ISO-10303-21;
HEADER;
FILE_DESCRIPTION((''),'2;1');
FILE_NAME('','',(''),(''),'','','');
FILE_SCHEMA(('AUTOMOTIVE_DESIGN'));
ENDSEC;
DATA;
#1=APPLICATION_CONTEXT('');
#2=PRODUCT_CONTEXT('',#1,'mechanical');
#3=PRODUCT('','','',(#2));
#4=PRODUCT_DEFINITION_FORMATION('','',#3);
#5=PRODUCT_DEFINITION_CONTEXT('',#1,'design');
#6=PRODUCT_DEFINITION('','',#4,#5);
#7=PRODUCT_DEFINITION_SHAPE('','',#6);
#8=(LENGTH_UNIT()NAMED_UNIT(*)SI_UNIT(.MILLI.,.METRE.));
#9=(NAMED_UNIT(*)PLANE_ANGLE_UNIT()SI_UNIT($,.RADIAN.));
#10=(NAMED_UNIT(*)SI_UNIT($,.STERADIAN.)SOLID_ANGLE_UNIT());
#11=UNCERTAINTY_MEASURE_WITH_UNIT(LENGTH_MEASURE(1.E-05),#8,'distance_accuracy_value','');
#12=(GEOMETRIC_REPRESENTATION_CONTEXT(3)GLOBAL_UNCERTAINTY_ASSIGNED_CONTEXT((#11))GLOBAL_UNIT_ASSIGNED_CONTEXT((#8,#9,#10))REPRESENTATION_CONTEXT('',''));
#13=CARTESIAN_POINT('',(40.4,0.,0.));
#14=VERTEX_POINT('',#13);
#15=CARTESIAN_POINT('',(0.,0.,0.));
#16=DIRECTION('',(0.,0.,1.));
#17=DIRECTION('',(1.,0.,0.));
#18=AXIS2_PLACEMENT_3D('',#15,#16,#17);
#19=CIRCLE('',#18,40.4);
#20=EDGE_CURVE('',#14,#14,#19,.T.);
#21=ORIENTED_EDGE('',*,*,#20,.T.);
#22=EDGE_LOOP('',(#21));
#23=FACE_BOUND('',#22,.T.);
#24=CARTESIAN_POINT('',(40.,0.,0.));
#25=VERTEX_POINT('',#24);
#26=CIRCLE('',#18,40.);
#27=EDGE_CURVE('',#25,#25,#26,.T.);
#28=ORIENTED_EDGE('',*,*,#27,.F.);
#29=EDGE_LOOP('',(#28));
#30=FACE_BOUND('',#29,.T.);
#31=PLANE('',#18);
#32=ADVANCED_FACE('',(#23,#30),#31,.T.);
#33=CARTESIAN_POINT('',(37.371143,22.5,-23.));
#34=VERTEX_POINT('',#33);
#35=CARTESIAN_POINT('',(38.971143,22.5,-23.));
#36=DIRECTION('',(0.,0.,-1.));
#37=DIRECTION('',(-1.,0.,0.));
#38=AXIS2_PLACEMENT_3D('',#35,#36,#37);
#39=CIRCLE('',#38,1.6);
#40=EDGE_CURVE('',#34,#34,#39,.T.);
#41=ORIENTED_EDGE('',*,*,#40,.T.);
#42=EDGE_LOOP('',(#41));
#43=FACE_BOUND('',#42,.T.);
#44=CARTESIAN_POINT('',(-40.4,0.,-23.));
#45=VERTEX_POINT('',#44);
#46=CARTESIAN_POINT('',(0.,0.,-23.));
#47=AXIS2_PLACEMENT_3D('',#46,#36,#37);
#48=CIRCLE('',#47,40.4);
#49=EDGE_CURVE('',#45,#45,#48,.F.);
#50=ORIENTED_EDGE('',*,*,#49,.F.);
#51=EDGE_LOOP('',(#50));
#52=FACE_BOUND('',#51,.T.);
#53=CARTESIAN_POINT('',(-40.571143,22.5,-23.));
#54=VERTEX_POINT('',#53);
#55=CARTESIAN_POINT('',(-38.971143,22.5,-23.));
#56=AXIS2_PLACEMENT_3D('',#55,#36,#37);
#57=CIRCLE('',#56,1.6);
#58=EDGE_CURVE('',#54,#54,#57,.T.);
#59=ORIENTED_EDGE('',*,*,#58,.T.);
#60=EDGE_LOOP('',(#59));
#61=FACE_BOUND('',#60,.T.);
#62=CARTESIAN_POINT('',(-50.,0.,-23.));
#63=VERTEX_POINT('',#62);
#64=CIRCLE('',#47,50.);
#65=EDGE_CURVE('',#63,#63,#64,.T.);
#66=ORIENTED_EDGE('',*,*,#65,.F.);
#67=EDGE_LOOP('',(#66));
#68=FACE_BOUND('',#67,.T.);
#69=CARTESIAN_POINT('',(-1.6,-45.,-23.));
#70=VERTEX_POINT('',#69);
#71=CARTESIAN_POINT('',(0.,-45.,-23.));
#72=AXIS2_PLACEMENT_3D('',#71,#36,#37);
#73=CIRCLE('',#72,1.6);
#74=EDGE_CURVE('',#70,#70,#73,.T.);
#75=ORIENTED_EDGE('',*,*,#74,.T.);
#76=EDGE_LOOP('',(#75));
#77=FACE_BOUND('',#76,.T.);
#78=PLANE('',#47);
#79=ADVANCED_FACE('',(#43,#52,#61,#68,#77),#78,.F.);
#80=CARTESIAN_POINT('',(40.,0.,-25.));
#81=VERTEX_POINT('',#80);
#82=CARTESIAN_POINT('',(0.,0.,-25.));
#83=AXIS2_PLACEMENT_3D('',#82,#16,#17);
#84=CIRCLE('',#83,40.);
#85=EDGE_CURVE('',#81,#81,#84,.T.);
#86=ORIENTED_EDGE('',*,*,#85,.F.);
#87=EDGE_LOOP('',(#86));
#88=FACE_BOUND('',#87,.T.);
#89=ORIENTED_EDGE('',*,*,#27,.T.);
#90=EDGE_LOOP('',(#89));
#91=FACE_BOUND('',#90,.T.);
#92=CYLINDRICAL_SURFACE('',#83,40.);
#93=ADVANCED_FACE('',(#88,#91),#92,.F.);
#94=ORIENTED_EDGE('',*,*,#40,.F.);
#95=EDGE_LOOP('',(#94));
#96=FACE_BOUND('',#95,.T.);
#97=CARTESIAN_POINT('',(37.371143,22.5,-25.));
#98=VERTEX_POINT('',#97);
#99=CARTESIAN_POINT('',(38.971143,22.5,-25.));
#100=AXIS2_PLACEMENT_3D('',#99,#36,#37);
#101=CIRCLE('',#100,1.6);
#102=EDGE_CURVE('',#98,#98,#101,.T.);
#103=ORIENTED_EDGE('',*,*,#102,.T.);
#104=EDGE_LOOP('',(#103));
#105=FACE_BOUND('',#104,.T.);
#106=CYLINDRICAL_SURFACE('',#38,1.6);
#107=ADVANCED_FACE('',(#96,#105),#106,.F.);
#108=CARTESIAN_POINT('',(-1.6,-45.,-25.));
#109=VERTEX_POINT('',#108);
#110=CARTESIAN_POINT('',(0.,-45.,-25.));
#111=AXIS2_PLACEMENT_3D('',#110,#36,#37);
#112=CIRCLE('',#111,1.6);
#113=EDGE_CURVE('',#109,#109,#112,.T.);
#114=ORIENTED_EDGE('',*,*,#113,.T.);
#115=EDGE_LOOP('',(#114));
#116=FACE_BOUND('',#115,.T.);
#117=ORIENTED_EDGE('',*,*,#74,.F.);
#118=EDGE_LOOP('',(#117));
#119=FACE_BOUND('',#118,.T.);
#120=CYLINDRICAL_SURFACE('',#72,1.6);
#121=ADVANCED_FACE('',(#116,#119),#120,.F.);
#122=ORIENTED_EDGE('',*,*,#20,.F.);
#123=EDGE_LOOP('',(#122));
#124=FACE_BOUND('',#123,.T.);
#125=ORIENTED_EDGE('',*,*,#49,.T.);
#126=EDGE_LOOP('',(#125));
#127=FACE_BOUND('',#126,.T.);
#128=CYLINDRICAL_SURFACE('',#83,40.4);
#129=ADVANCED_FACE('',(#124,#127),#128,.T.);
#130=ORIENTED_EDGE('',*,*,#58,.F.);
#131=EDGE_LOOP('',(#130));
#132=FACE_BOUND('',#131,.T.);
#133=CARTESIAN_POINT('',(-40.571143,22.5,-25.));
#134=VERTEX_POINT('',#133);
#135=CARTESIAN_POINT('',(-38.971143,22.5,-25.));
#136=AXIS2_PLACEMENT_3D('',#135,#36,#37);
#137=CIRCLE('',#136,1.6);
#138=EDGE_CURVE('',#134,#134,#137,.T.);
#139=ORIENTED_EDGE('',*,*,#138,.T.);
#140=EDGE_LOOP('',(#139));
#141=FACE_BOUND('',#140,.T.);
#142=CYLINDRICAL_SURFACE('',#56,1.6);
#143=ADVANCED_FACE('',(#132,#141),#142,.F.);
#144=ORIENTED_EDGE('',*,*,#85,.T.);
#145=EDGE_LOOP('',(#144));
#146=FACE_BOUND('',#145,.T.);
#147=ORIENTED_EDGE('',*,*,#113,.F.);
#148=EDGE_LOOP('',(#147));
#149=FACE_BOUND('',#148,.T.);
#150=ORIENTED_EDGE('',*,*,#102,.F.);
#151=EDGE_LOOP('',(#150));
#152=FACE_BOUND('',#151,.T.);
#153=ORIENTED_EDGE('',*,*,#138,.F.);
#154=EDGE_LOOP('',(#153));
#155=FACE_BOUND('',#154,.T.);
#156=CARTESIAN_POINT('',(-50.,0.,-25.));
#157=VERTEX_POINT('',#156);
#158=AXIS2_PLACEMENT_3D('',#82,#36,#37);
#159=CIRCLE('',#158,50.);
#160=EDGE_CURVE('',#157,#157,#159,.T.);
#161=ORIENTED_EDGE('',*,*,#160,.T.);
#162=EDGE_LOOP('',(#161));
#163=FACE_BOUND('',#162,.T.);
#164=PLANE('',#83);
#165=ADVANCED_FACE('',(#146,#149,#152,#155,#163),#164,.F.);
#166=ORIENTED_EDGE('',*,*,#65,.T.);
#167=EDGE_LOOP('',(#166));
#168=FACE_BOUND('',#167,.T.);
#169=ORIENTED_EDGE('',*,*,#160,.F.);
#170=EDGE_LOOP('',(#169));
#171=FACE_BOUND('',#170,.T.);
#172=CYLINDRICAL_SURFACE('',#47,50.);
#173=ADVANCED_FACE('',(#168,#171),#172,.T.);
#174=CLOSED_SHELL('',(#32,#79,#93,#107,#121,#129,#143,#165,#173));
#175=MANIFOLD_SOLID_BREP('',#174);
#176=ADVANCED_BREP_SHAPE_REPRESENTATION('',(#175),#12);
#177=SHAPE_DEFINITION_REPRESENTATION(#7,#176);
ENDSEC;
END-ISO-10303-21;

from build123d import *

# Parameters (mm, degrees)
ESQUISSE1_R        = 40.4
ESQUISSE1_R_2      = 40
BOSS_EXTRU_1_DEPTH = 25
BOSS_EXTRU_2_START = -2
ESQUISSE2_R        = 50
ESQUISSE2_R_2      = 1.6
ESQUISSE2_R_3      = 40
BOSS_EXTRU_2_DEPTH = 2


with BuildPart() as part:
    # Esquisse1 → Boss.-Extru.1 (new body)
    with BuildSketch(Plane.XY):
        Circle(ESQUISSE1_R)
        Circle(ESQUISSE1_R_2, mode=Mode.SUBTRACT)
    extrude(amount=-BOSS_EXTRU_1_DEPTH)

    # Esquisse2 → Boss.-Extru.2 (add)
    with BuildSketch(Plane(origin=(0, 0, -25), x_dir=(-1, 0, 0), z_dir=(0, 0, -1)).offset(BOSS_EXTRU_2_START)):
        Circle(ESQUISSE2_R)
        with Locations((-38.97114317, 22.5)):
            Circle(ESQUISSE2_R_2, mode=Mode.SUBTRACT)
        with Locations((38.97114317, 22.5)):
            Circle(ESQUISSE2_R_2, mode=Mode.SUBTRACT)
        with Locations((0, -45)):
            Circle(ESQUISSE2_R_2, mode=Mode.SUBTRACT)
        with Locations(Location((0, 0, 0), (0, 0, 180))):
            Circle(ESQUISSE2_R_3, mode=Mode.SUBTRACT)
    extrude(amount=BOSS_EXTRU_2_DEPTH)


solid = part.part
